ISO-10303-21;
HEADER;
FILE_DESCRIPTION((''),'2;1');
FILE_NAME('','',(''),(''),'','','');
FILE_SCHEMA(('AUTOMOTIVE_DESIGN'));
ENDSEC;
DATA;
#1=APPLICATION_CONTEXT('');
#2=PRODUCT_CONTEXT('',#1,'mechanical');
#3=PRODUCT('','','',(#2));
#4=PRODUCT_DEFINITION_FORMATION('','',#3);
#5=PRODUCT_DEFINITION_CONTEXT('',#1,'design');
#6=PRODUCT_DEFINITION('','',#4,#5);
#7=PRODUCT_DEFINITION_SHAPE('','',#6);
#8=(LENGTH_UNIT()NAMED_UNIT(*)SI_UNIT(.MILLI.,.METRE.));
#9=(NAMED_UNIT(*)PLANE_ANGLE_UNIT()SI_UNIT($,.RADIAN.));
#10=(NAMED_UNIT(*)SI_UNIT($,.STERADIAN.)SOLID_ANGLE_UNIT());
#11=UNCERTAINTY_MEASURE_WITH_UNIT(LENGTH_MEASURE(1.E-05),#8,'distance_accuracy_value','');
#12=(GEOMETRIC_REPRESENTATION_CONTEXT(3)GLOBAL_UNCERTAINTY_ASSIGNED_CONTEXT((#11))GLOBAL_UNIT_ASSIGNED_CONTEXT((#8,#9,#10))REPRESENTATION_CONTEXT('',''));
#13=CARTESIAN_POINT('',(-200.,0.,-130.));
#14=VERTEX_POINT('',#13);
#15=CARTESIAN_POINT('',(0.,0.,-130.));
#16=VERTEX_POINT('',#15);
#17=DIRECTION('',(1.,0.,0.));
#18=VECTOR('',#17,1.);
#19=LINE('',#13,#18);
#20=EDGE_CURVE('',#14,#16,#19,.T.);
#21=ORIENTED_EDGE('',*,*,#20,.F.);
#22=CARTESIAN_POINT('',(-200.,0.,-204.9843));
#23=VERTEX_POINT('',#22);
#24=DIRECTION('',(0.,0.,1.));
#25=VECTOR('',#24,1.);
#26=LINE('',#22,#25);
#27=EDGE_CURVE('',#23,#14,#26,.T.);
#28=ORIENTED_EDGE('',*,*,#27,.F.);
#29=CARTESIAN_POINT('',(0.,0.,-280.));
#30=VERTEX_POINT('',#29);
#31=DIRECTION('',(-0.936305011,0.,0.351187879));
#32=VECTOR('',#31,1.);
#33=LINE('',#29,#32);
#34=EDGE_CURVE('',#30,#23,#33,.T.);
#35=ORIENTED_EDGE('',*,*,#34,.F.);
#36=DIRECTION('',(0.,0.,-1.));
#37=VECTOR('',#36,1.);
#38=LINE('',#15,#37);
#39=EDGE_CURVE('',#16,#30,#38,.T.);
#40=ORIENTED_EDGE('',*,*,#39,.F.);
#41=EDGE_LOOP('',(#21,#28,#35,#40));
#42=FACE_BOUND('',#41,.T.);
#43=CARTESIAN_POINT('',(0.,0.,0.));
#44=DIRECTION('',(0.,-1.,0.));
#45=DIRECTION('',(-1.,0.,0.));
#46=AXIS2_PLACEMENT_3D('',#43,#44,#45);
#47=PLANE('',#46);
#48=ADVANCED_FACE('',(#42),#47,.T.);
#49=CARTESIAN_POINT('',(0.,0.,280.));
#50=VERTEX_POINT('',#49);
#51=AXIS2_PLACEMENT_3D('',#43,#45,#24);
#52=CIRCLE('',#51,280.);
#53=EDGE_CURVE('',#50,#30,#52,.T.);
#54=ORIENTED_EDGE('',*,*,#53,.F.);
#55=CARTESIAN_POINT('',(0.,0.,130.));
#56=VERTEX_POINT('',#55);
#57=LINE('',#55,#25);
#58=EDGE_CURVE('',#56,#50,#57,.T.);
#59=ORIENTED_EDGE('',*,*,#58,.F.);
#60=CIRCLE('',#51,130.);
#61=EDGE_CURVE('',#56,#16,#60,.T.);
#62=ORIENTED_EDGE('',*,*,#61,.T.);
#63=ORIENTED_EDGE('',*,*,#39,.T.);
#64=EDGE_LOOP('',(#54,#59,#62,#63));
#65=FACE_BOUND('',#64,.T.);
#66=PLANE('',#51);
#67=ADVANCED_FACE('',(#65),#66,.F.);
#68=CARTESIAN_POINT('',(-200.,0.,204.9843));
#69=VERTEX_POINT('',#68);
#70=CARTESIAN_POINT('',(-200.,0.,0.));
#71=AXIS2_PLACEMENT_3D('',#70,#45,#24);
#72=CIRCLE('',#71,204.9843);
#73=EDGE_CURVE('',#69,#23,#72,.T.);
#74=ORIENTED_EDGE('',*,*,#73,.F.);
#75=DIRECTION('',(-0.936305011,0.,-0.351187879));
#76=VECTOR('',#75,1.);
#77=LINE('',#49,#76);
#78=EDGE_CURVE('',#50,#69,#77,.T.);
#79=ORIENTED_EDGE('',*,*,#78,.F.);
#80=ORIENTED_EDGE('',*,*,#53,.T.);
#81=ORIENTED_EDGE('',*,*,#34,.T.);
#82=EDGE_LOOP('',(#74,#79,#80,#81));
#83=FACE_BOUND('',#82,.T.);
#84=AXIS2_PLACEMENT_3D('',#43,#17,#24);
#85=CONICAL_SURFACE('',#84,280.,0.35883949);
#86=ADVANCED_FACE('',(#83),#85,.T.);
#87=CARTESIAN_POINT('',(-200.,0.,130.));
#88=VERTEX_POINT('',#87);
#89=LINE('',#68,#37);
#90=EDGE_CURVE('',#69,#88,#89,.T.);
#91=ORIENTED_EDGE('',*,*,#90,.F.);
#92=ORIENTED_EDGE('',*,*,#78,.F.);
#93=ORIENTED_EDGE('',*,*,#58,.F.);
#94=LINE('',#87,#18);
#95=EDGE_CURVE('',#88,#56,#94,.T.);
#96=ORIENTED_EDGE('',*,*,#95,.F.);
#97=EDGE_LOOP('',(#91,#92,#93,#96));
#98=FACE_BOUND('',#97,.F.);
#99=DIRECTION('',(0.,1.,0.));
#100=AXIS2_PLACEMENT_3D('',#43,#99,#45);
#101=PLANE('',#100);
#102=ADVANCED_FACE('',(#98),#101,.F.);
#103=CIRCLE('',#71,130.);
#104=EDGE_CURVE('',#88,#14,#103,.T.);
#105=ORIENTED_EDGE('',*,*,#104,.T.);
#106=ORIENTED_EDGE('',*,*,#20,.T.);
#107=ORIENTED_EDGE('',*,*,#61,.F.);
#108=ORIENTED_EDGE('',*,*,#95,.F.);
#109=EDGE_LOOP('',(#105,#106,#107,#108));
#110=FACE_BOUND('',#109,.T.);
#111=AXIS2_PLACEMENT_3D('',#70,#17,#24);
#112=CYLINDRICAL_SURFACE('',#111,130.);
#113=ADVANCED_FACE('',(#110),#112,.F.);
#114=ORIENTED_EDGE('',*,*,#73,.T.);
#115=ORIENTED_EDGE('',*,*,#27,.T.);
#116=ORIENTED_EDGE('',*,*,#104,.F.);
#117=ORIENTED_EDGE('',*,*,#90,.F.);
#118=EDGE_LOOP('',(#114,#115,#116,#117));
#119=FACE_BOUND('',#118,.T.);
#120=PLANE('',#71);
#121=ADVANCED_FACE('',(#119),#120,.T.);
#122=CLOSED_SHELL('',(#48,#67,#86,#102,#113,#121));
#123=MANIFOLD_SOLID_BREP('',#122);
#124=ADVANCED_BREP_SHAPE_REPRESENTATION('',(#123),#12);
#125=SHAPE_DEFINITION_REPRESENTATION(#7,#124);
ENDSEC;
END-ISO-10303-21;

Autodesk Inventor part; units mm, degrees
ref_plane "YZ Plane" through (0, 0, 0) normal (1, 0, 0) x (0, 1, 0)
ref_plane "XZ Plane" through (0, 0, 0) normal (0, 1, 0) x (-1, 0, 0)
ref_plane "XY Plane" through (0, 0, 0) normal (0, 0, 1) x (1, 0, 0)
sketch "スケッチ1" plane through (0, 0, 0) normal (0, 1, 0) x (-1, 0, 0)
  line L0 (0, 130) -> (0, 280)
  line L1 (0, 280) -> (200, 204.9843)
  line L2 (200, 204.9843) -> (200, 130)
  line L3 (200, 130) -> (0, 130)
  line L4 (240, 0) -> (-40, 0) projected
  line L5 (0, -56) -> (0, 336) projected
  point P0 (0, 0)
  dimension "d0" = 150
  dimension "d1" = 69.44
  dimension "d2" = 200
  dimension "d3" = 130
revolve "回転1" add sketch "スケッチ1" angle 180 about axis through (-10, 0, 0) along (-1, 0, 0)
properties part number "parachute"
